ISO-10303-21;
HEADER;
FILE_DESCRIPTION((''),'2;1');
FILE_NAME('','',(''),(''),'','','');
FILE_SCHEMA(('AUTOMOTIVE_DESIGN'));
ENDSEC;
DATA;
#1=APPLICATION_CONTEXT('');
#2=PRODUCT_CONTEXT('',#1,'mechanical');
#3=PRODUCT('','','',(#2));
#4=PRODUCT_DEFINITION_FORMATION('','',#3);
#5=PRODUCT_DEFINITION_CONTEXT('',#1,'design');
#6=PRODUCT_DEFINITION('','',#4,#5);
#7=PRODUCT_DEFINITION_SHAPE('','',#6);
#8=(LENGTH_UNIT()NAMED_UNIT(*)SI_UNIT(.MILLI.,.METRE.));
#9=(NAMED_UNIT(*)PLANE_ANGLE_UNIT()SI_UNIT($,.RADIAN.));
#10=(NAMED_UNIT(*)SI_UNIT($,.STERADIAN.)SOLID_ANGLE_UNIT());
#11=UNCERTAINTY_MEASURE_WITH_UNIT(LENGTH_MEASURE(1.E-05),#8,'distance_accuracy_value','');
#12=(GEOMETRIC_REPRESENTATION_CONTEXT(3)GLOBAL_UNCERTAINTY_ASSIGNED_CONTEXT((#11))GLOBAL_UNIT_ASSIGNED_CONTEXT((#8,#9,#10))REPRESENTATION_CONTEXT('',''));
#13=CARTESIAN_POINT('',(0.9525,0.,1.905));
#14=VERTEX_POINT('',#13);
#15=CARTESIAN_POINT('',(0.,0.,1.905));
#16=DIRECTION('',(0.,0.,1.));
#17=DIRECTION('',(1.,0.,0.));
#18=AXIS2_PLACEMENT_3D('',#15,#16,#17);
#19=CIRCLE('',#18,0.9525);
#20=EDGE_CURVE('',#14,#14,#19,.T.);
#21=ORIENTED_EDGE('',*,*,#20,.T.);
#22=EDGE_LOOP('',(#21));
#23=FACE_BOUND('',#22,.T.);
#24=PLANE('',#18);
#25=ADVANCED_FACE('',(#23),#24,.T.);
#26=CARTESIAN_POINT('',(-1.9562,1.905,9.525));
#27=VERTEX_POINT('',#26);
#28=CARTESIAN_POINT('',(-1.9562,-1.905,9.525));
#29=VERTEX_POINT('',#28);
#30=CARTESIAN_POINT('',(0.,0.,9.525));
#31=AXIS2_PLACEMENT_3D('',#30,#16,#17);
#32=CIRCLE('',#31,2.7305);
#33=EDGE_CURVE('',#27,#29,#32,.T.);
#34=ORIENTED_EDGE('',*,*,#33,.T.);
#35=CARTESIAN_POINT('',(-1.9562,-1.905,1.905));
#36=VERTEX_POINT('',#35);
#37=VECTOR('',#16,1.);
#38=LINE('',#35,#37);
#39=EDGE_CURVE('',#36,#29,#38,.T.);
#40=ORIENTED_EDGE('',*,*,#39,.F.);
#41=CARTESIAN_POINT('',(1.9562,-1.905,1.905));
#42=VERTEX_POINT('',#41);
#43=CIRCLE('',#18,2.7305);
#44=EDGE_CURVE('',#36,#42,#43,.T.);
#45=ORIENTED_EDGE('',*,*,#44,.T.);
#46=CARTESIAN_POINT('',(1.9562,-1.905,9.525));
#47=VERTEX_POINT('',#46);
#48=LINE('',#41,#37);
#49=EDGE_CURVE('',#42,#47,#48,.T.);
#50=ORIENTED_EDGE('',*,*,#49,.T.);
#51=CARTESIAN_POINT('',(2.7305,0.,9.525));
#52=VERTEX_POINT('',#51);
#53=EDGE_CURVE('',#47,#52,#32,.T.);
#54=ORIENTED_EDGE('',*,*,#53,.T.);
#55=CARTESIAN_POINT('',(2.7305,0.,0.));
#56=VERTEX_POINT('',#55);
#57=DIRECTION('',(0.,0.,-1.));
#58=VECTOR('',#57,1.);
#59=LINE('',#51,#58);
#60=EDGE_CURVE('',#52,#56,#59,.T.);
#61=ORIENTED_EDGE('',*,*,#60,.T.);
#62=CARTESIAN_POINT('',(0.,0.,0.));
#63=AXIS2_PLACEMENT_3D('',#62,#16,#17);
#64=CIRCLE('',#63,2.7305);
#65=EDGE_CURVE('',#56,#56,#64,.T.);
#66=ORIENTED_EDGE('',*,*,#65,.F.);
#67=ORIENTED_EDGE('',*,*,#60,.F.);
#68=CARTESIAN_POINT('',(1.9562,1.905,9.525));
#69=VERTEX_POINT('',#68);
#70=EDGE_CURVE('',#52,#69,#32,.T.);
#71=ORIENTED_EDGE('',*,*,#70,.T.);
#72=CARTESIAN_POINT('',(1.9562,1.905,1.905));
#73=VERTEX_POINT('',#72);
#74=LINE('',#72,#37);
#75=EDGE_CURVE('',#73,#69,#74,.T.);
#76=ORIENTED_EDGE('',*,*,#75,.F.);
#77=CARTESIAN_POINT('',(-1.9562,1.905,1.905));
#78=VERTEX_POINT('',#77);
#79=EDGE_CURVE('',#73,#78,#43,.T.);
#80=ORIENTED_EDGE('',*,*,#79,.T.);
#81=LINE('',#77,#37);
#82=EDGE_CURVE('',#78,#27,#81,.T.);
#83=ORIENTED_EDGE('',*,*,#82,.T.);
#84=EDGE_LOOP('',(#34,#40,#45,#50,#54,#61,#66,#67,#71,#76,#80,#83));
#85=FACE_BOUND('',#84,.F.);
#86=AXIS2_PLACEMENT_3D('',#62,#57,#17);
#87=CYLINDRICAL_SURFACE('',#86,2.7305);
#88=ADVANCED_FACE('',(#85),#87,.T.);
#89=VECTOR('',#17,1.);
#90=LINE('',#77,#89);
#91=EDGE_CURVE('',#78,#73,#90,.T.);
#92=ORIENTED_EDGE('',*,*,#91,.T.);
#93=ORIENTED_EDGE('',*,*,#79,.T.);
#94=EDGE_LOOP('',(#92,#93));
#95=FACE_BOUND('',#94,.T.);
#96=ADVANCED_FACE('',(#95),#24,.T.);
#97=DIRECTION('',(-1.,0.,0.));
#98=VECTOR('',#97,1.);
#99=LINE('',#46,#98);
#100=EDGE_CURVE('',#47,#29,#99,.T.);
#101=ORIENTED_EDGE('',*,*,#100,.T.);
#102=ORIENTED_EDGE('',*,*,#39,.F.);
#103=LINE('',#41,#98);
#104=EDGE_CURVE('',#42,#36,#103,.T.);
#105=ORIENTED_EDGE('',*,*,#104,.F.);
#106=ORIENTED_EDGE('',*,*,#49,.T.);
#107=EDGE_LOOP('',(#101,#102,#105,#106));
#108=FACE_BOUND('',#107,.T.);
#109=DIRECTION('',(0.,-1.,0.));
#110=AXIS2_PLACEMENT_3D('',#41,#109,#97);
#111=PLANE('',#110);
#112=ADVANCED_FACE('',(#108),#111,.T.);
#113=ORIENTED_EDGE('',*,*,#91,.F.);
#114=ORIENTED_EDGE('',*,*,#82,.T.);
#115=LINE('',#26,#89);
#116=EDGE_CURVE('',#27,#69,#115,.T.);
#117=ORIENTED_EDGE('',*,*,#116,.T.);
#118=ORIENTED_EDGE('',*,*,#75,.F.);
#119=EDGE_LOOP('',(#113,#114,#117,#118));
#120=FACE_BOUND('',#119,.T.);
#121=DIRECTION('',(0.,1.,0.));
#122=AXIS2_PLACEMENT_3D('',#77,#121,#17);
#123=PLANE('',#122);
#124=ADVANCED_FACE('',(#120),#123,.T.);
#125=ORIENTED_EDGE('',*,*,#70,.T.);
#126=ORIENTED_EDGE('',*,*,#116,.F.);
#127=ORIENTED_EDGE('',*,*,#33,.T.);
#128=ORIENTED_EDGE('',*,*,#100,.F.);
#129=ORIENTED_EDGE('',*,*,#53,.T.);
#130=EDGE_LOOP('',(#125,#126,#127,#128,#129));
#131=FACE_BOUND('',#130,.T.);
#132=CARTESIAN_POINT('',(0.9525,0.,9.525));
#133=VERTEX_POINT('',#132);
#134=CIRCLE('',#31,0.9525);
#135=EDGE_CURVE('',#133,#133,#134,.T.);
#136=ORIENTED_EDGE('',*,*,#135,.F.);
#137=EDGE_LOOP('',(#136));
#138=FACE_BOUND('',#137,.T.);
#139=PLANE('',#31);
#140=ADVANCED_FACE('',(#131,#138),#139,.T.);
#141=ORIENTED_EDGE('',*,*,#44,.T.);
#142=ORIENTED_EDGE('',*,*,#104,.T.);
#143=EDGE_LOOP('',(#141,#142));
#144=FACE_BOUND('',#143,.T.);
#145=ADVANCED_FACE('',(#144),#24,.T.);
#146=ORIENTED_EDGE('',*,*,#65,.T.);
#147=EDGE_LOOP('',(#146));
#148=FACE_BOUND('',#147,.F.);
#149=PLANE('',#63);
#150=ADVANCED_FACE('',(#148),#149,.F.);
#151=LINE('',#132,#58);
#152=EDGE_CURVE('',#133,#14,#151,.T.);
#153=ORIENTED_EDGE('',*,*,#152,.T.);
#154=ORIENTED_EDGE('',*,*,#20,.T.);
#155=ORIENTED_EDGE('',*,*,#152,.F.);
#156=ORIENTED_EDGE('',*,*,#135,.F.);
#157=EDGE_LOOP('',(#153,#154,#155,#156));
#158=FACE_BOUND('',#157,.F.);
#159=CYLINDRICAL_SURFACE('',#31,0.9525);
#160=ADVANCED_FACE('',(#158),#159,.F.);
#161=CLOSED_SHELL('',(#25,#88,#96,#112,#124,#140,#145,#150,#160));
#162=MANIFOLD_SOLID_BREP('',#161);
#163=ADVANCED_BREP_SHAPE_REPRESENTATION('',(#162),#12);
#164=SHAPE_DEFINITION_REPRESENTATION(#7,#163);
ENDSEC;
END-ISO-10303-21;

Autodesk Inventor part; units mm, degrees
ref_plane "YZ Plane" through (0, 0, 0) normal (1, 0, 0) x (0, 1, 0)
ref_plane "XZ Plane" through (0, 0, 0) normal (0, 1, 0) x (-1, 0, 0)
ref_plane "XY Plane" through (0, 0, 0) normal (0, 0, 1) x (1, 0, 0)
sketch "Sketch1" plane through (0, 0, 0) normal (0, 0, 1) x (1, 0, 0)
  circle A0 centre (0, 0) radius 2.7305
  dimension "d0" = 5.461
extrude "Extrusion1" add sketch "Sketch1" along normal blind 1.905
sketch "Sketch2" plane through (0, 0, 1.905) normal (0, 0, 1) x (1, 0, 0)
  circle A0 centre (0, 0) radius 2.7305 projected
  line L0 (-1.9562, 1.905) -> (1.9562, 1.905)
  line L1 (1.9562, -1.905) -> (-1.9562, -1.905)
  arc A1 (-1.9562, 1.905) -> (-1.9562, -1.905) centre (0, 0) ccw
  arc A2 (1.9562, -1.905) -> (1.9562, 1.905) centre (0, 0) ccw
  point P0 (0, 1.905)
  point P1 (0, -1.905)
  dimension "d3" = 1.905
  dimension "d4" = 1.905
extrude "Extrusion2" add sketch "Sketch2" along normal blind 7.62 contours A0 L1 L0
sketch "Sketch3" plane through (0, 0, 9.525) normal (0, 0, 1) x (1, 0, 0)
  circle A0 centre (0, 0) radius 2.7305 projected
  circle A1 centre (0, 0) radius 0.9525
  dimension "d7" = 1.905
extrude "Extrusion3" cut sketch "Sketch3" against normal blind 7.62 contours A1
properties part number "MotorShaft" material "ABS Plastic"
